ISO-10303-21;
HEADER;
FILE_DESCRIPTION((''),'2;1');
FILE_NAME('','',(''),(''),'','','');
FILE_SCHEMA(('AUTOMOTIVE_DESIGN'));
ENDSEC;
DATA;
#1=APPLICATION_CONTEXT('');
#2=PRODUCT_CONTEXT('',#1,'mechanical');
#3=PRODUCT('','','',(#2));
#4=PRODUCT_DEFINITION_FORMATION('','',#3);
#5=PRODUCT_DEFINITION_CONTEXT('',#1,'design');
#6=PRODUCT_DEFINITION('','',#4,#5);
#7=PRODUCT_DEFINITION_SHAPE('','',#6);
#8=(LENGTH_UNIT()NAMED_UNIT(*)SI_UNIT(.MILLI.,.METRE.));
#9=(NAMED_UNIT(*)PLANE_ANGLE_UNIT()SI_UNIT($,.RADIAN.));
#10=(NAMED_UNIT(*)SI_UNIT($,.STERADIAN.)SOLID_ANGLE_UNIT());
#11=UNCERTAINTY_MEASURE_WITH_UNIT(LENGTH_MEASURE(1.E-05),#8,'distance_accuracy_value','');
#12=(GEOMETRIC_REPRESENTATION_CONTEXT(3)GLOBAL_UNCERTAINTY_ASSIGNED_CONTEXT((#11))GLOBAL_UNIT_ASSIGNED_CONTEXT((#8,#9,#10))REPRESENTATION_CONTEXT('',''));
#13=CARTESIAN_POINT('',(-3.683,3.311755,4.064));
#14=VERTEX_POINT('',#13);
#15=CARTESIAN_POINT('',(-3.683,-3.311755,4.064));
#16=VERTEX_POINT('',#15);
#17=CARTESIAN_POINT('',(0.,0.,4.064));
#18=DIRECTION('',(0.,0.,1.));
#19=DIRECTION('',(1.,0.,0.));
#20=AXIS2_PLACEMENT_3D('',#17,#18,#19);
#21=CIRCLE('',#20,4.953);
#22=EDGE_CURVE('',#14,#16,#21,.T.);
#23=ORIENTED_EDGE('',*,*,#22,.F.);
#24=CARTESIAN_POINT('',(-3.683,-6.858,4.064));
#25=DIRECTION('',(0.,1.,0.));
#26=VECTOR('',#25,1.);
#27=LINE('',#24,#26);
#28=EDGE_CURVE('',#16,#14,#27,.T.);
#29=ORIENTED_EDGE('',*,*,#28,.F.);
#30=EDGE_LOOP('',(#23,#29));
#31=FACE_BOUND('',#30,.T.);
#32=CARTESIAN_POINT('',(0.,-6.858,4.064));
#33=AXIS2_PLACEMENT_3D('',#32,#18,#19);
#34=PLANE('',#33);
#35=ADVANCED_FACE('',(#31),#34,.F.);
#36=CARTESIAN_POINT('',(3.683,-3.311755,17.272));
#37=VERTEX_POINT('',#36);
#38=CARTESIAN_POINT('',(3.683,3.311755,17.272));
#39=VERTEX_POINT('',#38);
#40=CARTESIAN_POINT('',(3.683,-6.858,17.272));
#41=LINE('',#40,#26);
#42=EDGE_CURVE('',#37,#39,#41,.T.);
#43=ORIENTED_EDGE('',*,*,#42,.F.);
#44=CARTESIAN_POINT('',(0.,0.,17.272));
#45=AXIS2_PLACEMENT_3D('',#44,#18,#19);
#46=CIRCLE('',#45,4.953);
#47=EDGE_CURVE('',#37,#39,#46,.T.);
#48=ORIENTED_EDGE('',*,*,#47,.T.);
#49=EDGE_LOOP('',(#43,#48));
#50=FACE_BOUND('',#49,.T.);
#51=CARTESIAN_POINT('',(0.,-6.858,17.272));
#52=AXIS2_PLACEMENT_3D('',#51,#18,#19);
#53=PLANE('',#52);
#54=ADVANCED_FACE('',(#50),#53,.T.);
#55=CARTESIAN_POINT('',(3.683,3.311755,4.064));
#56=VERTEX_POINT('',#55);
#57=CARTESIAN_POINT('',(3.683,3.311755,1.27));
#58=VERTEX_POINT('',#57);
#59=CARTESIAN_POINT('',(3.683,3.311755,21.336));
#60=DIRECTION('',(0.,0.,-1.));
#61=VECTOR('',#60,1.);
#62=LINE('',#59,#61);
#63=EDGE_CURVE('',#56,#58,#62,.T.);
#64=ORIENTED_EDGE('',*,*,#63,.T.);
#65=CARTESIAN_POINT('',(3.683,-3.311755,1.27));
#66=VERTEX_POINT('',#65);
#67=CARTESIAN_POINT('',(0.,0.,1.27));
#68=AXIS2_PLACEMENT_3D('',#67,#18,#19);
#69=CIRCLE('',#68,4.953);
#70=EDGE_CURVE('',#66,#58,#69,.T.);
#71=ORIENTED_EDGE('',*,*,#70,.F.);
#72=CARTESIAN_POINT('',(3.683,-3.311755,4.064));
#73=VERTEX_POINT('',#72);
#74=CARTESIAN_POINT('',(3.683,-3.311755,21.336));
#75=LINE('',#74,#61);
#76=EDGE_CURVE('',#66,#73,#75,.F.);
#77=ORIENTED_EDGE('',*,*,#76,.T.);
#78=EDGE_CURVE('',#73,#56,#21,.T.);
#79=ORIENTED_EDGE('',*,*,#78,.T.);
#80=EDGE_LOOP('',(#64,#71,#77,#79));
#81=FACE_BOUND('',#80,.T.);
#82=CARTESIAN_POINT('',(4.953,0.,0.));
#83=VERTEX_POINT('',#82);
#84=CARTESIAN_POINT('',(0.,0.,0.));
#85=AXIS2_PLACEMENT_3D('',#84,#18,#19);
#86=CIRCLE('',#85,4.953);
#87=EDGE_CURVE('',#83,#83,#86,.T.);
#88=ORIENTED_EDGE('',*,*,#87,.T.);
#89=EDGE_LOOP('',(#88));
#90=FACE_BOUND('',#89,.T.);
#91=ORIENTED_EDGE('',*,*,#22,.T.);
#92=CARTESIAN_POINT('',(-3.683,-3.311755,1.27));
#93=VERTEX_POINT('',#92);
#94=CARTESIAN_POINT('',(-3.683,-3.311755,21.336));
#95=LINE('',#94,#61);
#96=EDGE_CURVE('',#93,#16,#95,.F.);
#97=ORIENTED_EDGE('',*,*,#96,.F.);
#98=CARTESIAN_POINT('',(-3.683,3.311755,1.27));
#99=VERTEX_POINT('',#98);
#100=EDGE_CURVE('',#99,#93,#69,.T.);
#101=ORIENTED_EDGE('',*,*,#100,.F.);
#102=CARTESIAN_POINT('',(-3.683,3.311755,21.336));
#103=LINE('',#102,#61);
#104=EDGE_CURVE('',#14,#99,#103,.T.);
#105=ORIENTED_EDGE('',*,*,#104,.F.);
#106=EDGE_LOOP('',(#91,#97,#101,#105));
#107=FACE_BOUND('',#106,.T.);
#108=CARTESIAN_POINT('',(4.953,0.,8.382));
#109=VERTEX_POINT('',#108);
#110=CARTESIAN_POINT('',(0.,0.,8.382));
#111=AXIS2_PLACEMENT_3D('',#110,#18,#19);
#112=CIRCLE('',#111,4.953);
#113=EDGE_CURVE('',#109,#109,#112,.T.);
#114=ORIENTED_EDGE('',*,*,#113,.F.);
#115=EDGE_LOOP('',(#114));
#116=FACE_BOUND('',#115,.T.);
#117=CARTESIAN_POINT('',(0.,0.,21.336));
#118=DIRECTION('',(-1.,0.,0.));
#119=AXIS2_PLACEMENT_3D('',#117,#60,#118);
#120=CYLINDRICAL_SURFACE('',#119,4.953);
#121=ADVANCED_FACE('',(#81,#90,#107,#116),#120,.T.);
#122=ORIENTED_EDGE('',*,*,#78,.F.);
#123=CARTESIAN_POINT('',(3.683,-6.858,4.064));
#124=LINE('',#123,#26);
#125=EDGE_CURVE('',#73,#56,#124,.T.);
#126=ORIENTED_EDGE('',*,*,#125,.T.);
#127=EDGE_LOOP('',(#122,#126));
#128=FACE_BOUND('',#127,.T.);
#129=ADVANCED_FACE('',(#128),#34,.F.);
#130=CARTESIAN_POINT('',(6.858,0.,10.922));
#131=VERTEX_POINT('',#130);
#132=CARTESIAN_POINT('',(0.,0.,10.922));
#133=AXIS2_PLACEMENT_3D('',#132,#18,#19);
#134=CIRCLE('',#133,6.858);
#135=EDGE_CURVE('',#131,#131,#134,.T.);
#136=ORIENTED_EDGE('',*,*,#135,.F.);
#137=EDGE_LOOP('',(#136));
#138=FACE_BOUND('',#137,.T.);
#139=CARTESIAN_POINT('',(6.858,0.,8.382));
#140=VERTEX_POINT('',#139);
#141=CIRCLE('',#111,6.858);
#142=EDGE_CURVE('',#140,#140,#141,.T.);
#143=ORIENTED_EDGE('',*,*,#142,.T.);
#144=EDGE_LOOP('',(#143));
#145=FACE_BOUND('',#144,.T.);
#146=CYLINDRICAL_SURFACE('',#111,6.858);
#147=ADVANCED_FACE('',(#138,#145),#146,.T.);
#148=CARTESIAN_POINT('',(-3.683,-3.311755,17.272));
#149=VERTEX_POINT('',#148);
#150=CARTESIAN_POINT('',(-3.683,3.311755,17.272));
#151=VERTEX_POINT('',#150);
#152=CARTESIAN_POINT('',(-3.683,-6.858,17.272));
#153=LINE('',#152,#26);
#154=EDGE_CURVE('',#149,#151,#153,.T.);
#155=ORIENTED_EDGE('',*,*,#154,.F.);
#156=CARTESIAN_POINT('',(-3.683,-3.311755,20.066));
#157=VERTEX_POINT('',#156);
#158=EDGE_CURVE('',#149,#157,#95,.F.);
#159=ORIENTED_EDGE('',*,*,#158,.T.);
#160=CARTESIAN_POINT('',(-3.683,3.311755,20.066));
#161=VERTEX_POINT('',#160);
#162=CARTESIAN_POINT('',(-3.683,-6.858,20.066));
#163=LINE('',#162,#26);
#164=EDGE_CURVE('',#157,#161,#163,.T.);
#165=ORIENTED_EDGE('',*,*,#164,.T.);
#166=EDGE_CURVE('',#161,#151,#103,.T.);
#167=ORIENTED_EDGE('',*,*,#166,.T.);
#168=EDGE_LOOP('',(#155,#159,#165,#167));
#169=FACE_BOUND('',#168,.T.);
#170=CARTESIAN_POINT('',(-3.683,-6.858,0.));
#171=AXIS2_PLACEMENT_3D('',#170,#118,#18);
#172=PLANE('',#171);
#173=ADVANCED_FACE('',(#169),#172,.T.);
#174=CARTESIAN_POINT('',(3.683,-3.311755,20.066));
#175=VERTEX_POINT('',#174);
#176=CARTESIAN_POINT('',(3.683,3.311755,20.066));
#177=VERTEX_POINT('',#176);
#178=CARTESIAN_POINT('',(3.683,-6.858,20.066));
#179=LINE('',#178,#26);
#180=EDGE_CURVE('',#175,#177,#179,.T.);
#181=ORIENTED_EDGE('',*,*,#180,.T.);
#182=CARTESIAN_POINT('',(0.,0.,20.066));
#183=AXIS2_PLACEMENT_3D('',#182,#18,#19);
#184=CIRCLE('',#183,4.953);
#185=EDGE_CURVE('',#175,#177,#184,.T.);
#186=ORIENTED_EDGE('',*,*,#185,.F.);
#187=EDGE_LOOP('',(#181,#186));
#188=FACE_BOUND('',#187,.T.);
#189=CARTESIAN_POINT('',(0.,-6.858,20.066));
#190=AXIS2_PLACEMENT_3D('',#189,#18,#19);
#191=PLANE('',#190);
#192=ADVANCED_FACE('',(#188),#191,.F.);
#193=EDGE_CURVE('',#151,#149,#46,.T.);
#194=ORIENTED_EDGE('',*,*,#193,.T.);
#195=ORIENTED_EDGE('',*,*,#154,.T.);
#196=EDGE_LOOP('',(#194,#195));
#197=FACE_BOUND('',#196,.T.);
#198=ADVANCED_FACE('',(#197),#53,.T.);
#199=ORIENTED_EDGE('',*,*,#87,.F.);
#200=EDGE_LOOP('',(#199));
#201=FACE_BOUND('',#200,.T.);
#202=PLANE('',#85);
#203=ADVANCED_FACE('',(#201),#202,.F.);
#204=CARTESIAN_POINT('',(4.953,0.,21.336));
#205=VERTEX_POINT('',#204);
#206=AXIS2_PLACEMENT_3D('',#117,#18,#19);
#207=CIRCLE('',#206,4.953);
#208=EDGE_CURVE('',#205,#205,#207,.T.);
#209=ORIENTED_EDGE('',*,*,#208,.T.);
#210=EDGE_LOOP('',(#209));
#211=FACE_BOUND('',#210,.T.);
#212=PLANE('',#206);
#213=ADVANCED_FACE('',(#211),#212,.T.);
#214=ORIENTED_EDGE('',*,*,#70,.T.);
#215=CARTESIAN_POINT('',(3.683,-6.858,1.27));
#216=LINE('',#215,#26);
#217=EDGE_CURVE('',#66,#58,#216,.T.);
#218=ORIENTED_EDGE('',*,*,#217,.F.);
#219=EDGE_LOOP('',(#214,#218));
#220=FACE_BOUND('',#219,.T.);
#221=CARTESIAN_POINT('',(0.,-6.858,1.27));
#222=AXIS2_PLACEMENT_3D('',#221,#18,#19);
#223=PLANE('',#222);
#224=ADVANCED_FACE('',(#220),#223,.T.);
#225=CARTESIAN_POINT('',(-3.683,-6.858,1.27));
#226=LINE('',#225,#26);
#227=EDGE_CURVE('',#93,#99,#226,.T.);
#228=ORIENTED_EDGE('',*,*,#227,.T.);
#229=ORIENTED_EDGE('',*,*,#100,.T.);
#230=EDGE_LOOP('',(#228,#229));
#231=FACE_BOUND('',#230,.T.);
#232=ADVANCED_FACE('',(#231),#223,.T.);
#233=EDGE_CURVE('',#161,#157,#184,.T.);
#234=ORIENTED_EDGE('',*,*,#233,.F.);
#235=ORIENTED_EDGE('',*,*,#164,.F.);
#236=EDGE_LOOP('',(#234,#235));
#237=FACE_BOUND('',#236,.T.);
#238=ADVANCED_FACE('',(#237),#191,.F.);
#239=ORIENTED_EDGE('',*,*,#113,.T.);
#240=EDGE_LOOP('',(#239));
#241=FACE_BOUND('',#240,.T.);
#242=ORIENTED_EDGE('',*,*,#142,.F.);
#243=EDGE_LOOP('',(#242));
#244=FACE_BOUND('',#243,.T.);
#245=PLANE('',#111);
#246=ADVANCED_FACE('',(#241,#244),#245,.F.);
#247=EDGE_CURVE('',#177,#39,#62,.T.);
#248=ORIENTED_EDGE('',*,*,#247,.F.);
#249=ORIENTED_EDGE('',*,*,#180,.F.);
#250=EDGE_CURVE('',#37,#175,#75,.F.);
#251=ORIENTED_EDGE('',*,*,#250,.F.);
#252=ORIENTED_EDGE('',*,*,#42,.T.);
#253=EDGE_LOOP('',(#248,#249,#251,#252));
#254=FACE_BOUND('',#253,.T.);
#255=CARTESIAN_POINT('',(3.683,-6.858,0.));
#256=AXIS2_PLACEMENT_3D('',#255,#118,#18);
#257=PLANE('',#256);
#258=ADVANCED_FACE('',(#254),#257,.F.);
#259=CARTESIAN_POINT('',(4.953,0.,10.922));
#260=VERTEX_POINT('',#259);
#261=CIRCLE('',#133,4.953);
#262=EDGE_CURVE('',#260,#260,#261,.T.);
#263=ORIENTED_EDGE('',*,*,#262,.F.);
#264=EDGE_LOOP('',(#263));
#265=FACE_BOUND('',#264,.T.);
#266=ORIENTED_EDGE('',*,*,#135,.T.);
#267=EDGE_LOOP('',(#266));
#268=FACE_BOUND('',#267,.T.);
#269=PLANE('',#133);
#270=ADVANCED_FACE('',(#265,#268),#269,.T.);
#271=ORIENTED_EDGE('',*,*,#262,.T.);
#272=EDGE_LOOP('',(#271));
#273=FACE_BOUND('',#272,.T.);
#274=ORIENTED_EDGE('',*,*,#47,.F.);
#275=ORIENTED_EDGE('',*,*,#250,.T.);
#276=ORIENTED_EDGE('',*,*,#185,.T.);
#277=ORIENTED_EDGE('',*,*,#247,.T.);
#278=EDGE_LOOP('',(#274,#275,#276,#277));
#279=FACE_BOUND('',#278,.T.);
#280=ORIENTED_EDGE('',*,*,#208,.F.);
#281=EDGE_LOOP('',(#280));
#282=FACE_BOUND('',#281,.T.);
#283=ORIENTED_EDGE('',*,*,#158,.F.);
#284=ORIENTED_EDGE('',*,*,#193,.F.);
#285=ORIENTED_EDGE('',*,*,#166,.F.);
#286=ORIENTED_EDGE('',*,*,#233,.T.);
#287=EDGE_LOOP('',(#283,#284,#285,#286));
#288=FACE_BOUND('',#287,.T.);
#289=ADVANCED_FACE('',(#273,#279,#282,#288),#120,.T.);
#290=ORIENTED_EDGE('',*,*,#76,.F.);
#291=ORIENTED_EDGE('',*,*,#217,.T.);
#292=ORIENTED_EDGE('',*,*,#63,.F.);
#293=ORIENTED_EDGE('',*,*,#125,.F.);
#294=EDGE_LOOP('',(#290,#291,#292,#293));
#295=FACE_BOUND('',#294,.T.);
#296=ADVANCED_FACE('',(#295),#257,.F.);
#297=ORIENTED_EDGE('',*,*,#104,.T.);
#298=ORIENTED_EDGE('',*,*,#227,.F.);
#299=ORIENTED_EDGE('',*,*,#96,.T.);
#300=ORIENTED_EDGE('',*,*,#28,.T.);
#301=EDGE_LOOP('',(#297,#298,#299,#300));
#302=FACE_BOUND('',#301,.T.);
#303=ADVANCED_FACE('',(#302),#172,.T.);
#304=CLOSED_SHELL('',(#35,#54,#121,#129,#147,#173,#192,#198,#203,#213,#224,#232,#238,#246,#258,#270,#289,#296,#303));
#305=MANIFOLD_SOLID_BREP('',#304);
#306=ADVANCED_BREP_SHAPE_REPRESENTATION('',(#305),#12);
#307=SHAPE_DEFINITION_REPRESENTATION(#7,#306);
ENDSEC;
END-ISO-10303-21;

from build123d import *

# Parameters (mm, degrees)
SKETCH1_R               = 4.953
BOSS_EXTRUDE1_DEPTH     = 21.336
BOSS_EXTRUDE2_START     = -10.414
SKETCH2_R               = 6.858
BOSS_EXTRUDE2_DEPTH     = 2.54
CUT_EXTRUDE1_DEPTH      = 24.436920105
CUT_EXTRUDE1_DEPTH_BACK = 24.436920105
SKETCH3_W               = 1.27
SKETCH3_H               = 2.794
CUT_EXTRUDE2_DEPTH      = 24.436920105
CUT_EXTRUDE2_DEPTH_BACK = 24.436920105
SKETCH4_W               = 1.27
SKETCH4_H               = 2.794


with BuildPart() as part:
    # Sketch1 → Boss-Extrude1 (new body)
    with BuildSketch(Plane.XY):
        Circle(SKETCH1_R)
    extrude(amount=BOSS_EXTRUDE1_DEPTH)

    # Sketch2 → Boss-Extrude2 (add)
    with BuildSketch(Plane.XY.offset(21.336).offset(BOSS_EXTRUDE2_START)):
        Circle(SKETCH2_R)
    extrude(amount=-BOSS_EXTRUDE2_DEPTH)

    # Sketch3 → Cut-Extrude1 (cut, two sides: drawn at the far end of the back side and taken through both)
    with BuildSketch(Plane(origin=(0, 0, 0), x_dir=(1, 0, 0), z_dir=(0, 1, 0)).offset(-CUT_EXTRUDE1_DEPTH_BACK)):
        with Locations((4.318, -2.667)):
            Rectangle(SKETCH3_W, SKETCH3_H)
        with Locations((-4.318, -2.667)):
            Rectangle(SKETCH3_W, SKETCH3_H)
    extrude(amount=CUT_EXTRUDE1_DEPTH + CUT_EXTRUDE1_DEPTH_BACK, mode=Mode.SUBTRACT)

    # Sketch4 → Cut-Extrude2 (cut, two sides: drawn at the far end of the back side and taken through both)
    with BuildSketch(Plane(origin=(0, 0, 0), x_dir=(1, 0, 0), z_dir=(0, 1, 0)).offset(-CUT_EXTRUDE2_DEPTH_BACK)):
        with Locations((4.318, -18.669)):
            Rectangle(SKETCH4_W, SKETCH4_H)
        with Locations((-4.318, -18.669)):
            Rectangle(SKETCH4_W, SKETCH4_H)
    extrude(amount=CUT_EXTRUDE2_DEPTH + CUT_EXTRUDE2_DEPTH_BACK, mode=Mode.SUBTRACT)


solid = part.part
